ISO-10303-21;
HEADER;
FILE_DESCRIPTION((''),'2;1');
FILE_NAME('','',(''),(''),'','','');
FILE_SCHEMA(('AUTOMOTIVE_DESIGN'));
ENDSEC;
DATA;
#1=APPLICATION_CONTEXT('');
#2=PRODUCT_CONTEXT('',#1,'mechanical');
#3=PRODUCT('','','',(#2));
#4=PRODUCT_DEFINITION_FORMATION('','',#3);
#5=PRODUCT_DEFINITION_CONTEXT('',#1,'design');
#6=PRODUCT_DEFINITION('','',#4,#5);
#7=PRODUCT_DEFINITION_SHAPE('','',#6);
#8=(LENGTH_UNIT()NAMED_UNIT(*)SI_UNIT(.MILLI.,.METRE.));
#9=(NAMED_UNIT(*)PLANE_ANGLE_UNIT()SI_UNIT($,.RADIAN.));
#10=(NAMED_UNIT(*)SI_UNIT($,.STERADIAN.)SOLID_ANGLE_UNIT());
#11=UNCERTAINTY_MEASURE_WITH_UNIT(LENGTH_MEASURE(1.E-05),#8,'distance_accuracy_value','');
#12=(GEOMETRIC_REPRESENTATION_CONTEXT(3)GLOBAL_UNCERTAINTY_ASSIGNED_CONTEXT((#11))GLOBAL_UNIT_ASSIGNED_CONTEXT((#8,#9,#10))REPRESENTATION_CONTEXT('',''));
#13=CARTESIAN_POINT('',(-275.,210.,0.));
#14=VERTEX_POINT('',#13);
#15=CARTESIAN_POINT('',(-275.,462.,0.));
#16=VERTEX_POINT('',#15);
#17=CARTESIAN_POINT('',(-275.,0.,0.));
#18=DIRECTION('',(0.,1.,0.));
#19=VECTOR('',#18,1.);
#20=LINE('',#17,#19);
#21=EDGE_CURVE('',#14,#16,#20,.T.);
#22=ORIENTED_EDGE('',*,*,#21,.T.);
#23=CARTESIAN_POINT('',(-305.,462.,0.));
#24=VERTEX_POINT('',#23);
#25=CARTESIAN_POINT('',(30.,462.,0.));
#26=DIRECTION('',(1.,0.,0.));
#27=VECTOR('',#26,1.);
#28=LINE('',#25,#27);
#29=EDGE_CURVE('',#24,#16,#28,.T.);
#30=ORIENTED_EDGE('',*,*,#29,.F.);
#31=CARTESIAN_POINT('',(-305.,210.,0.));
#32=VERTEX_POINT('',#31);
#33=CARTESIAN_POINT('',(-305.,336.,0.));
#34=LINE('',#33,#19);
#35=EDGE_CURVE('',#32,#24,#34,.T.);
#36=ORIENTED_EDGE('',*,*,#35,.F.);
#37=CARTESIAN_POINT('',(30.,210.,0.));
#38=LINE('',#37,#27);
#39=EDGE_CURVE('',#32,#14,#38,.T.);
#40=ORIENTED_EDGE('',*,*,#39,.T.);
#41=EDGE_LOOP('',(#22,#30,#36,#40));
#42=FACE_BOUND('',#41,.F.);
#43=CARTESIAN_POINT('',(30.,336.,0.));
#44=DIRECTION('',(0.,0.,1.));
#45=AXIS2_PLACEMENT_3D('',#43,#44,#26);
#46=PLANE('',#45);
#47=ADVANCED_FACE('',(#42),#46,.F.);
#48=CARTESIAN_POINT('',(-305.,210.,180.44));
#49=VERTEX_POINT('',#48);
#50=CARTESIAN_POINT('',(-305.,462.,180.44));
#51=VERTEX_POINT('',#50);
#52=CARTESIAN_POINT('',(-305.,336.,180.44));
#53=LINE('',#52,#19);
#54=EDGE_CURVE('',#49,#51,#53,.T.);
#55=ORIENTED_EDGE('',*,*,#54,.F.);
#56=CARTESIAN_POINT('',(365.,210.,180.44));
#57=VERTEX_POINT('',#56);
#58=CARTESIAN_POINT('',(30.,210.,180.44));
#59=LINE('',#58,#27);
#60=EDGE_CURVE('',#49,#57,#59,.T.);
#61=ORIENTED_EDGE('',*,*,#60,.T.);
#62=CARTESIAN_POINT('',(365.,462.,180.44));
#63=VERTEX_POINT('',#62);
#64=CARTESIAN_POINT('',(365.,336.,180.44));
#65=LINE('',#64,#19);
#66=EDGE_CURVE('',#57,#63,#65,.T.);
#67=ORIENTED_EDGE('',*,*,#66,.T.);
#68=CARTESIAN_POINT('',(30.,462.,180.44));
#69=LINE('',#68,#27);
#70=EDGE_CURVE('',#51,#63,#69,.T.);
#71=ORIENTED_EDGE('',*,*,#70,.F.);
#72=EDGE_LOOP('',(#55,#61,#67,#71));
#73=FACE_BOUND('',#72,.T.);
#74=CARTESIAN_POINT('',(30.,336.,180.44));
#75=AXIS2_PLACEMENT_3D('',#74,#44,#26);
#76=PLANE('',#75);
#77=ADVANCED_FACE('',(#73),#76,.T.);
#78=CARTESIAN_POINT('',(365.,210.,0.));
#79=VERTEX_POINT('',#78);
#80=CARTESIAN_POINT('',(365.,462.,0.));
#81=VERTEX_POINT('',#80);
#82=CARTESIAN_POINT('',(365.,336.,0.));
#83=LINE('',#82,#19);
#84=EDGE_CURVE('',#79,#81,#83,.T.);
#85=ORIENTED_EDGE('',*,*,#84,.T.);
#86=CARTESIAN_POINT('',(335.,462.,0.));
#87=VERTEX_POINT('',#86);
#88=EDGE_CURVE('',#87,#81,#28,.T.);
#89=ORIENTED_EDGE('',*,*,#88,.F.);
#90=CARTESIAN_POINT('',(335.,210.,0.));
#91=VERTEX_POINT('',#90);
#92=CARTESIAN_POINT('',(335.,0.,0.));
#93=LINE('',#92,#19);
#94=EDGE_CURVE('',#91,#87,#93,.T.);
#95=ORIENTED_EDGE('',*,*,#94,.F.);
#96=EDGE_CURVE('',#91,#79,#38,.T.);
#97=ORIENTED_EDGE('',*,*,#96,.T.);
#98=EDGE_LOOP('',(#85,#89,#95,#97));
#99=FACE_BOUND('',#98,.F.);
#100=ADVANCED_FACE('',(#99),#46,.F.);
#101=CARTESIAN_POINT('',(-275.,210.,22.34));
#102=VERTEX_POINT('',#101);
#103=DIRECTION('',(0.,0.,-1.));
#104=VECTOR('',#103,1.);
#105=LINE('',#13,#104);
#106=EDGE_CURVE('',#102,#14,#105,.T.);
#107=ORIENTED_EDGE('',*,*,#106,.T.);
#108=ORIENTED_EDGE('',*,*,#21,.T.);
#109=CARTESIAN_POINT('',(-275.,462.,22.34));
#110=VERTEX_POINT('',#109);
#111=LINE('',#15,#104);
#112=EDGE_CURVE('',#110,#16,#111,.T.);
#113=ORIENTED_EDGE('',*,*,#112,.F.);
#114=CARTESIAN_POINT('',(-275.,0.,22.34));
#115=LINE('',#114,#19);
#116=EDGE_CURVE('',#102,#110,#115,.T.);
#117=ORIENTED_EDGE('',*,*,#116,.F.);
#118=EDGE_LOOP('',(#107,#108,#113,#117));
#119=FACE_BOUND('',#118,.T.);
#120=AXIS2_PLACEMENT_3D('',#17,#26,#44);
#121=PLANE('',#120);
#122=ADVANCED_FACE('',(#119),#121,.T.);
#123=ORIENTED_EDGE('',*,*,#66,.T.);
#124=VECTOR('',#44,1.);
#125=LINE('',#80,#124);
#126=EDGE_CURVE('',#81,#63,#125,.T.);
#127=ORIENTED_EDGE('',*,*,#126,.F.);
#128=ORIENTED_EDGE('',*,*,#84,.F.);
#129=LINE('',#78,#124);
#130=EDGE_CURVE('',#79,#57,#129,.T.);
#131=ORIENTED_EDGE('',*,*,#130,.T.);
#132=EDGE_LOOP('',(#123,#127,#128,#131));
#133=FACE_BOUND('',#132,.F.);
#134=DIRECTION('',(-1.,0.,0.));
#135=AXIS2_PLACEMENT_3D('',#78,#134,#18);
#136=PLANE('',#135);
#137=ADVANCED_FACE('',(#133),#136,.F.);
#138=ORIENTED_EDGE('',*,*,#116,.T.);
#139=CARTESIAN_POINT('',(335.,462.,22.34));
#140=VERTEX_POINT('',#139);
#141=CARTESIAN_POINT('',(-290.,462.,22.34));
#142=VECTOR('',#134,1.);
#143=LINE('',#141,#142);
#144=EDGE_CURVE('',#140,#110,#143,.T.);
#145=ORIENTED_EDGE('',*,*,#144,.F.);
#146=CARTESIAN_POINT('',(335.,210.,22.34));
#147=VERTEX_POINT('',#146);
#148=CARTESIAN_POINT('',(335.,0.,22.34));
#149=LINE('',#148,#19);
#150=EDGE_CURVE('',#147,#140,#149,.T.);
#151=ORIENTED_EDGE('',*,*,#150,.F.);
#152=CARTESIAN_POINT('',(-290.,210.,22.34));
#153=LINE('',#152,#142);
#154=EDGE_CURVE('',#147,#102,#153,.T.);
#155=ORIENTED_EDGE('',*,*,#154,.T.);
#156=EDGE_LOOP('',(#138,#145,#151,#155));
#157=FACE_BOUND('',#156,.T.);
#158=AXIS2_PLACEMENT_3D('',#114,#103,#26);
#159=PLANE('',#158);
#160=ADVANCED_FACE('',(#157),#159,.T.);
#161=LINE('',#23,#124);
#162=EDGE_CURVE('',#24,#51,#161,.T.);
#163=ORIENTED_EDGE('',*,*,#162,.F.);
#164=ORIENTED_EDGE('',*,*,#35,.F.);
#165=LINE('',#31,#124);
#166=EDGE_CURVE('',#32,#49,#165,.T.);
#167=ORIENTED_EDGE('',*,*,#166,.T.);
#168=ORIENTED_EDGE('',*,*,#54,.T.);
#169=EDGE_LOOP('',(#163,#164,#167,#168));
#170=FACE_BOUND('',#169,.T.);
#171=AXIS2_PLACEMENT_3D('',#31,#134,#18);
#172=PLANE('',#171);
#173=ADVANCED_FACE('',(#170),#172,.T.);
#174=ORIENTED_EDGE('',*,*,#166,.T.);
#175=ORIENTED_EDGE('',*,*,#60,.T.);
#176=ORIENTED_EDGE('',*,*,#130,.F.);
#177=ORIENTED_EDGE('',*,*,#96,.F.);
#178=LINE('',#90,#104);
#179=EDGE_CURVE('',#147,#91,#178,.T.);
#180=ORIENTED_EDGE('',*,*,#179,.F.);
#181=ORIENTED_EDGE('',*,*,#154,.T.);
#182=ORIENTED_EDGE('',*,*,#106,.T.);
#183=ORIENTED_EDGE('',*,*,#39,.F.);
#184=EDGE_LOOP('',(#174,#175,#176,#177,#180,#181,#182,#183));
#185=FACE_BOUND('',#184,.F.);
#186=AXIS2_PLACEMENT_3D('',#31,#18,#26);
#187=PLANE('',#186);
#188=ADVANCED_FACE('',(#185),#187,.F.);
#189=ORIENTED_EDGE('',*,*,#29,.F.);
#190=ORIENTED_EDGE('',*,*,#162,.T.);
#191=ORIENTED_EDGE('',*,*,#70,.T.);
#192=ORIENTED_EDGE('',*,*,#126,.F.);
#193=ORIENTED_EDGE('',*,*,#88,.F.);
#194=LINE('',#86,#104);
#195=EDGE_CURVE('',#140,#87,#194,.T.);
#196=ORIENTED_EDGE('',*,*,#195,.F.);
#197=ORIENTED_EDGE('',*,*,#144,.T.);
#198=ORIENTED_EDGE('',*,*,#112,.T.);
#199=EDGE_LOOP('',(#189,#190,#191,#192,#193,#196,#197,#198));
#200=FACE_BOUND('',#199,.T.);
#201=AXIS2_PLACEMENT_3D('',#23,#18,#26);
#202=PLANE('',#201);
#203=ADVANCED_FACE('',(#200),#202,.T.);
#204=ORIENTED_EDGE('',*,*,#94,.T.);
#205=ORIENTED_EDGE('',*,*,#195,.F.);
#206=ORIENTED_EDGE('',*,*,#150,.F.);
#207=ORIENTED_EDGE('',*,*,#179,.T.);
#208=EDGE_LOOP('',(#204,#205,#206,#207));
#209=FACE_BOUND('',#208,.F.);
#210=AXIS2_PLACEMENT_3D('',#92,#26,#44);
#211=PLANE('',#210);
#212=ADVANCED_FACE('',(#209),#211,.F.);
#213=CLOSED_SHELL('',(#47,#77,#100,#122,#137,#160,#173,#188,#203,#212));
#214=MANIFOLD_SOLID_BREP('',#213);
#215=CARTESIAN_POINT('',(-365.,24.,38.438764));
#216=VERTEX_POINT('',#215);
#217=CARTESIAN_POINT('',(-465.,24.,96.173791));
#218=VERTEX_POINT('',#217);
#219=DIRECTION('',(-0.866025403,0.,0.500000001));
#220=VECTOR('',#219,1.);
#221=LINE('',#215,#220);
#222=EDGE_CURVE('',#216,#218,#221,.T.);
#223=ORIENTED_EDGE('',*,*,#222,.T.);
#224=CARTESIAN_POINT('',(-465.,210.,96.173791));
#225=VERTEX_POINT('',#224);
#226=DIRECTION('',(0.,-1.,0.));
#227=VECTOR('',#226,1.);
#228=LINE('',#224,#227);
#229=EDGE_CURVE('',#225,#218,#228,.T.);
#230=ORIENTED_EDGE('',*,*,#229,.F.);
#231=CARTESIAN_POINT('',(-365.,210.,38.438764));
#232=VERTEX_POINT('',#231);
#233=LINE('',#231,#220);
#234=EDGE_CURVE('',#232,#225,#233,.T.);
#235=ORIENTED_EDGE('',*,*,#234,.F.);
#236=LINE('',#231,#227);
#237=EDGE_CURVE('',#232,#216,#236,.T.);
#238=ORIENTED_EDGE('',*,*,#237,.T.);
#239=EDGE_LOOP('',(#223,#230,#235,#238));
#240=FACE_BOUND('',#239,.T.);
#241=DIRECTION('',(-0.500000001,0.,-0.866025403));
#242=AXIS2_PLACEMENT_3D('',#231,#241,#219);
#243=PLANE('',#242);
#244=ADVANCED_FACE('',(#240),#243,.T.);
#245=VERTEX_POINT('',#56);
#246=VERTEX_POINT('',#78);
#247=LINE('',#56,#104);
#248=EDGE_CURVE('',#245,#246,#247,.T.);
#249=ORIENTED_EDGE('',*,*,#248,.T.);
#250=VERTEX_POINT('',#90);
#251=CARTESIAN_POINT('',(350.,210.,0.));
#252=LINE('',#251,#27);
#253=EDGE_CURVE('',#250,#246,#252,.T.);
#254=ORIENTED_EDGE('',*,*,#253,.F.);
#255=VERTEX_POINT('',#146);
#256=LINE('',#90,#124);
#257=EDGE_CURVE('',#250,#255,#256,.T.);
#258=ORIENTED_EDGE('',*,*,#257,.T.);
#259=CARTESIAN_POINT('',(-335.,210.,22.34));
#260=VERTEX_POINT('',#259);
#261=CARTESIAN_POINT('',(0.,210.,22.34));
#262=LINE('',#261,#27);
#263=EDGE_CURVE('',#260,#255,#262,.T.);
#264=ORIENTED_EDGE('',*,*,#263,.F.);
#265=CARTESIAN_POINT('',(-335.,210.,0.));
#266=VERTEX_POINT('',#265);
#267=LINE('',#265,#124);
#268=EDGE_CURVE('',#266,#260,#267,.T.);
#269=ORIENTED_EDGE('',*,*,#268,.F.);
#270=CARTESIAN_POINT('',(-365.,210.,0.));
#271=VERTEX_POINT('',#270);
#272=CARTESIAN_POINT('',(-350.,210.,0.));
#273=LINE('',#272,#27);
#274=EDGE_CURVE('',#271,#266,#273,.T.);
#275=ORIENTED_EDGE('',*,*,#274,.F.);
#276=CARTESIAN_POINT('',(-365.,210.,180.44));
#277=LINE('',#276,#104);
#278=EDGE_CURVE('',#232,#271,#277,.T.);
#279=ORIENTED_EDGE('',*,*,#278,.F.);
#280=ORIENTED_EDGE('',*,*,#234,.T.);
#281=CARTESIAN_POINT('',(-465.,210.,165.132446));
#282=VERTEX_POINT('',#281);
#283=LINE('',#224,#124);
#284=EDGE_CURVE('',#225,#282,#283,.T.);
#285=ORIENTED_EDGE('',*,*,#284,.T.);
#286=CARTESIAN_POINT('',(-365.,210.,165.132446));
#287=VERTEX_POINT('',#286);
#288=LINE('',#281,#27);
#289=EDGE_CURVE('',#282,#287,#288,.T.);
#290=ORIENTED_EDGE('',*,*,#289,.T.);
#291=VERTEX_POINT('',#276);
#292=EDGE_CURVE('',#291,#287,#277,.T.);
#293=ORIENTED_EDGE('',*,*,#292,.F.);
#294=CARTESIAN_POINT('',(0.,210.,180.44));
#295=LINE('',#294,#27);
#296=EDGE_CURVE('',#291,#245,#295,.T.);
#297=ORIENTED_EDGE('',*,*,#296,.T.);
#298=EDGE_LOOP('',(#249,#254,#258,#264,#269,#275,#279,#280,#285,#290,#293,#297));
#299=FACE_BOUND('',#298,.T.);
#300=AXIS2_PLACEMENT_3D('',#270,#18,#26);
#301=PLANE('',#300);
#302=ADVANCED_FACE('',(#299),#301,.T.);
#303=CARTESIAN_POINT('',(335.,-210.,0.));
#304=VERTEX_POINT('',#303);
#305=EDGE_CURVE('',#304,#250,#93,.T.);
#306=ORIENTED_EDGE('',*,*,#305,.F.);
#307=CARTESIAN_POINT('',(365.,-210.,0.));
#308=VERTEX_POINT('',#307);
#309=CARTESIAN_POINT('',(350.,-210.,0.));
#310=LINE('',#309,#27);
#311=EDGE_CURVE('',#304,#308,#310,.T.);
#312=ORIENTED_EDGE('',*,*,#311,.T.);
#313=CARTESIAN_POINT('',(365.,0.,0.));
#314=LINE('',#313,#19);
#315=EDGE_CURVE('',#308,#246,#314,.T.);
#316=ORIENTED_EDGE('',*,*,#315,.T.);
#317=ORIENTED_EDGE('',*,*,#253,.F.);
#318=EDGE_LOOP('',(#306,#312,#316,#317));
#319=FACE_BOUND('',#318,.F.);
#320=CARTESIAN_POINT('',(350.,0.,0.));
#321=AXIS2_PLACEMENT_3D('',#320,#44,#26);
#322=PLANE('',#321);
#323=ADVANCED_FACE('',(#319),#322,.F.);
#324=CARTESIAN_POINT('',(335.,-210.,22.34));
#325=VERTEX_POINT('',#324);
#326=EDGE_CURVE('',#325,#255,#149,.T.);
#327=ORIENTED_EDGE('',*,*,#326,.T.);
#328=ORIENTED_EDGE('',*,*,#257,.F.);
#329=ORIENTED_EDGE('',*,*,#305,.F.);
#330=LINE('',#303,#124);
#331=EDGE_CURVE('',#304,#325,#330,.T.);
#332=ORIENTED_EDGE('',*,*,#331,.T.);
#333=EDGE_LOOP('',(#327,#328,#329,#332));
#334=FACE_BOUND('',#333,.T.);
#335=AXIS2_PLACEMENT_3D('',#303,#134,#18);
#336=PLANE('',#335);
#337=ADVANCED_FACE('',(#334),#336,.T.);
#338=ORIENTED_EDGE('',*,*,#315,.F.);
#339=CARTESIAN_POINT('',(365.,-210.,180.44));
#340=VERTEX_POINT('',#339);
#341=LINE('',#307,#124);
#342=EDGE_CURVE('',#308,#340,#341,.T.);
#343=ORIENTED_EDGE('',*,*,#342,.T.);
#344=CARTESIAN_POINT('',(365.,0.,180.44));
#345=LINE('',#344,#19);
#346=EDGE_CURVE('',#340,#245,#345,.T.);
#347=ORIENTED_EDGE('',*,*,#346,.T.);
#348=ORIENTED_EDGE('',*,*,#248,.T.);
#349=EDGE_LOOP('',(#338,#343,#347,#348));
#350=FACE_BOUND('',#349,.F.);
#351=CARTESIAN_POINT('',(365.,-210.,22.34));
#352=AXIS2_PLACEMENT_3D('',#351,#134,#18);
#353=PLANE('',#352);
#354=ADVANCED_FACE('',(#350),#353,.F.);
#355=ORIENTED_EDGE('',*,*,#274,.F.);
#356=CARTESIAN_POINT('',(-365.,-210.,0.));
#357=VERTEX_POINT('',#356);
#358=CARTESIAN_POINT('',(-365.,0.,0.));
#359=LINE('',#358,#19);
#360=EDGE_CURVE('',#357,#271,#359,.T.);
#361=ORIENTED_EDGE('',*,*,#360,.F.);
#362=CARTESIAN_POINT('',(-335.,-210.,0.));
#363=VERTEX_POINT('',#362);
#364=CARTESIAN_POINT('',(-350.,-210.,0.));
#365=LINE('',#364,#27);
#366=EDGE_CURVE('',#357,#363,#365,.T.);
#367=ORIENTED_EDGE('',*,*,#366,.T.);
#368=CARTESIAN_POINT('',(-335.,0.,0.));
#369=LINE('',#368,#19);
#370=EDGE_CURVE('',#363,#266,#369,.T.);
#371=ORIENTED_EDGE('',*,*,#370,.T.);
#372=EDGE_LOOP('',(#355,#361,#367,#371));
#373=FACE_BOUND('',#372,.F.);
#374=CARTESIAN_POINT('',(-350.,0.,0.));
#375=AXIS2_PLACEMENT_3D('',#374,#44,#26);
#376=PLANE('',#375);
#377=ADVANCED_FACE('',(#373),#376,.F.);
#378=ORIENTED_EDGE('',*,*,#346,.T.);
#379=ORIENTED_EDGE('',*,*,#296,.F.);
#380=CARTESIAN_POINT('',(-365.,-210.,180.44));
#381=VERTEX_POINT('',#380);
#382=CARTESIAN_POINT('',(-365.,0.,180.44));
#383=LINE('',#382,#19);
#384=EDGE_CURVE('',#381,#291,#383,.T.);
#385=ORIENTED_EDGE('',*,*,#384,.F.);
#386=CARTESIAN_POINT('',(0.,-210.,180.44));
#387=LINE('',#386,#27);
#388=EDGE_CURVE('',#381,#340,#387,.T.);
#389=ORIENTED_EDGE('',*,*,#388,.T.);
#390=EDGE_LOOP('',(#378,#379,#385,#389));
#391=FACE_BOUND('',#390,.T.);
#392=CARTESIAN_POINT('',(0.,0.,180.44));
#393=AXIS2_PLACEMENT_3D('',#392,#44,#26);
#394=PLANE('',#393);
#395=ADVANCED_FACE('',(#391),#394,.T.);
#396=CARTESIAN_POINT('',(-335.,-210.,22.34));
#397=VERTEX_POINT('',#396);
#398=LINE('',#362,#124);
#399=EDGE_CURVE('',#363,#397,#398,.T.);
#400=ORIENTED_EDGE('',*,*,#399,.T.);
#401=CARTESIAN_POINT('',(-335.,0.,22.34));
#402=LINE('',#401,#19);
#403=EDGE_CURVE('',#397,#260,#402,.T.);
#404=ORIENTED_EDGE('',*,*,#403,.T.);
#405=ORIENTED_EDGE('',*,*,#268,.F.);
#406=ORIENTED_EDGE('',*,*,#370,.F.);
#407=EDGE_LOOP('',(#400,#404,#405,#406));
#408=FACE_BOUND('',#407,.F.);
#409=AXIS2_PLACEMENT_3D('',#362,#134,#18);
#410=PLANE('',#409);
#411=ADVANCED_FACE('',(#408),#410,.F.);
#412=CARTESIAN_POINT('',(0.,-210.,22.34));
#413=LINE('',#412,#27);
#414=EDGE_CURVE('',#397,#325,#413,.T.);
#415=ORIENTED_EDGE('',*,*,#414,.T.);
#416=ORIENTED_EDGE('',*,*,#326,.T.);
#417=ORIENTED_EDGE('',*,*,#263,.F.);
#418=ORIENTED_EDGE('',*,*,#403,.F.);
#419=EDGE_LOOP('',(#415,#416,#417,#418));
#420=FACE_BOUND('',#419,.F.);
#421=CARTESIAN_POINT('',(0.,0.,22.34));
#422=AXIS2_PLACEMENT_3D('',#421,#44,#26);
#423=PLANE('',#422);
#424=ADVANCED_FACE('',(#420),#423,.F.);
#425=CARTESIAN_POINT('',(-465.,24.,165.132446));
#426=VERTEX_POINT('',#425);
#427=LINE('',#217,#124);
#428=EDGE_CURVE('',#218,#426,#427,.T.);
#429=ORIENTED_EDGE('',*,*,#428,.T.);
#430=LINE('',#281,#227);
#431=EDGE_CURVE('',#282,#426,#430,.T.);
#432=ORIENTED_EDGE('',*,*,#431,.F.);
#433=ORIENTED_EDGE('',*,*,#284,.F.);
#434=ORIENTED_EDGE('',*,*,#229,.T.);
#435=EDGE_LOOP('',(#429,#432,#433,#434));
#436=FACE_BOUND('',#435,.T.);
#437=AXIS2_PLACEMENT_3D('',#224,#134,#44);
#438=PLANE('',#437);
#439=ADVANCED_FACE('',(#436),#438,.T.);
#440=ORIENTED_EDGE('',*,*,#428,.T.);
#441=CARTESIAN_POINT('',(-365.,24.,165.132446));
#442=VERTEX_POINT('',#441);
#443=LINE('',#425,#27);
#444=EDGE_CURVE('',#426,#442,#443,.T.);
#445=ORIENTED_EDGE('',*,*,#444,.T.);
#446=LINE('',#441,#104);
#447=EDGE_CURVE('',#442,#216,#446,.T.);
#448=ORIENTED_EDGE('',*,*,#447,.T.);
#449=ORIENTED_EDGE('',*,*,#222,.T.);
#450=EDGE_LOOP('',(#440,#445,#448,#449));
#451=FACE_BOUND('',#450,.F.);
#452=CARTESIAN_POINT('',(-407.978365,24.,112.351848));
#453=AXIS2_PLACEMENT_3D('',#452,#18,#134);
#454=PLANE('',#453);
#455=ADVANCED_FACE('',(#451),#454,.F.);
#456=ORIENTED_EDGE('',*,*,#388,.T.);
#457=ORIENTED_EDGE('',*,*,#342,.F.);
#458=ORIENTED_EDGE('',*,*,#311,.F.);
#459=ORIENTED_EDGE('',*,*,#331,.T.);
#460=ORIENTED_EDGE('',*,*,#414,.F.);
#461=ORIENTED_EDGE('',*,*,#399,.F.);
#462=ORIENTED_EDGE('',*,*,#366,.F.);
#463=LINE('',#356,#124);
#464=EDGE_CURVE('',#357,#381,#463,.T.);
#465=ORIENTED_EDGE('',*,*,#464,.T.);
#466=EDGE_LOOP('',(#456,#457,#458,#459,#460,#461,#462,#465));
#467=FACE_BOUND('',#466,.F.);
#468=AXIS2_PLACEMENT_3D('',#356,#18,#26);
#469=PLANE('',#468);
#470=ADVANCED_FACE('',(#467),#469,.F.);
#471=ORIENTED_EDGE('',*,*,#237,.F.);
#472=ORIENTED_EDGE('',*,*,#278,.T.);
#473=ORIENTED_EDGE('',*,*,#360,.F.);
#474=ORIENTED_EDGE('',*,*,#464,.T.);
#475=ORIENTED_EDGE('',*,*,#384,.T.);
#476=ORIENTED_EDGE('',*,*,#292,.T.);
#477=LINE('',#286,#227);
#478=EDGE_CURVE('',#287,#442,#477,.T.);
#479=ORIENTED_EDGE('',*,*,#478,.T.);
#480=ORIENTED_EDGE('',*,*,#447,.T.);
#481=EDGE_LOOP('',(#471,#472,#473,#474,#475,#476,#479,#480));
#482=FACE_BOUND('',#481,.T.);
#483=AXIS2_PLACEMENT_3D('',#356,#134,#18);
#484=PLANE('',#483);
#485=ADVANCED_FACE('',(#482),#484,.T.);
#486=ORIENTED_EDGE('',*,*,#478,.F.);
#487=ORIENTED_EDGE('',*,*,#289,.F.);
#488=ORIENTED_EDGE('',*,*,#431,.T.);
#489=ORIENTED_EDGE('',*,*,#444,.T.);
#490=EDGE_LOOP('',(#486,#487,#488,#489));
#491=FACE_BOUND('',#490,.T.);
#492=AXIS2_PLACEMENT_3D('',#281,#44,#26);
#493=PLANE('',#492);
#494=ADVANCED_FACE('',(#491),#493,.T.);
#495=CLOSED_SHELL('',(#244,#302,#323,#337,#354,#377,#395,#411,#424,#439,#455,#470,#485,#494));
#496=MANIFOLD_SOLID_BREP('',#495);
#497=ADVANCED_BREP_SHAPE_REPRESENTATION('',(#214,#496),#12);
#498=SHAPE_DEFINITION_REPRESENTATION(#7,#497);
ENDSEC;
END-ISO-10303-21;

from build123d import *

# Parameters (mm, degrees)
SKETCH_W     = 730
SKETCH_H     = 420
PAD_DEPTH    = 158.1
SKETCH001_W  = 30
SKETCH001_H  = 420
PAD001_DEPTH = 22.34
PAD002_DEPTH = 186
SKETCH003_W  = 670
SKETCH003_H  = 252
PAD003_DEPTH = 180.44
SKETCH004_W  = 610
SKETCH004_H  = 22.34
POCKET_DEPTH = 462.001


with BuildPart() as harpia:
    # Sketch → Pad (new body)
    with BuildSketch(Plane.XY.offset(22.34)):
        Rectangle(SKETCH_W, SKETCH_H)
    extrude(amount=PAD_DEPTH)

    # Sketch001 → Pad001 (join)
    with BuildSketch(Plane.XY):
        with Locations((-350, 0)):
            Rectangle(SKETCH001_W, SKETCH001_H)
        with Locations((350, 0)):
            Rectangle(SKETCH001_W, SKETCH001_H)
    extrude(amount=PAD001_DEPTH)

    # Sketch002 → Pad002 (join)
    with BuildSketch(Plane.XZ.offset(-210)):
        Polygon((-465, 165.132446), (-365, 165.132446), (-365, 38.438764), (-465, 96.173791), align=None)
    extrude(amount=PAD002_DEPTH)


with BuildPart() as harpia_tb:
    # Sketch003 → Pad003 (new body)
    with BuildSketch(Plane.XY):
        with Locations((30, 336)):
            Rectangle(SKETCH003_W, SKETCH003_H)
    extrude(amount=PAD003_DEPTH)

    # Sketch004 → Pocket (cut, through all)
    with BuildSketch(Plane.XZ):
        with Locations((30, 11.17)):
            Rectangle(SKETCH004_W, SKETCH004_H)
    extrude(amount=-POCKET_DEPTH, mode=Mode.SUBTRACT)


solid = Compound([harpia.part, harpia_tb.part])
